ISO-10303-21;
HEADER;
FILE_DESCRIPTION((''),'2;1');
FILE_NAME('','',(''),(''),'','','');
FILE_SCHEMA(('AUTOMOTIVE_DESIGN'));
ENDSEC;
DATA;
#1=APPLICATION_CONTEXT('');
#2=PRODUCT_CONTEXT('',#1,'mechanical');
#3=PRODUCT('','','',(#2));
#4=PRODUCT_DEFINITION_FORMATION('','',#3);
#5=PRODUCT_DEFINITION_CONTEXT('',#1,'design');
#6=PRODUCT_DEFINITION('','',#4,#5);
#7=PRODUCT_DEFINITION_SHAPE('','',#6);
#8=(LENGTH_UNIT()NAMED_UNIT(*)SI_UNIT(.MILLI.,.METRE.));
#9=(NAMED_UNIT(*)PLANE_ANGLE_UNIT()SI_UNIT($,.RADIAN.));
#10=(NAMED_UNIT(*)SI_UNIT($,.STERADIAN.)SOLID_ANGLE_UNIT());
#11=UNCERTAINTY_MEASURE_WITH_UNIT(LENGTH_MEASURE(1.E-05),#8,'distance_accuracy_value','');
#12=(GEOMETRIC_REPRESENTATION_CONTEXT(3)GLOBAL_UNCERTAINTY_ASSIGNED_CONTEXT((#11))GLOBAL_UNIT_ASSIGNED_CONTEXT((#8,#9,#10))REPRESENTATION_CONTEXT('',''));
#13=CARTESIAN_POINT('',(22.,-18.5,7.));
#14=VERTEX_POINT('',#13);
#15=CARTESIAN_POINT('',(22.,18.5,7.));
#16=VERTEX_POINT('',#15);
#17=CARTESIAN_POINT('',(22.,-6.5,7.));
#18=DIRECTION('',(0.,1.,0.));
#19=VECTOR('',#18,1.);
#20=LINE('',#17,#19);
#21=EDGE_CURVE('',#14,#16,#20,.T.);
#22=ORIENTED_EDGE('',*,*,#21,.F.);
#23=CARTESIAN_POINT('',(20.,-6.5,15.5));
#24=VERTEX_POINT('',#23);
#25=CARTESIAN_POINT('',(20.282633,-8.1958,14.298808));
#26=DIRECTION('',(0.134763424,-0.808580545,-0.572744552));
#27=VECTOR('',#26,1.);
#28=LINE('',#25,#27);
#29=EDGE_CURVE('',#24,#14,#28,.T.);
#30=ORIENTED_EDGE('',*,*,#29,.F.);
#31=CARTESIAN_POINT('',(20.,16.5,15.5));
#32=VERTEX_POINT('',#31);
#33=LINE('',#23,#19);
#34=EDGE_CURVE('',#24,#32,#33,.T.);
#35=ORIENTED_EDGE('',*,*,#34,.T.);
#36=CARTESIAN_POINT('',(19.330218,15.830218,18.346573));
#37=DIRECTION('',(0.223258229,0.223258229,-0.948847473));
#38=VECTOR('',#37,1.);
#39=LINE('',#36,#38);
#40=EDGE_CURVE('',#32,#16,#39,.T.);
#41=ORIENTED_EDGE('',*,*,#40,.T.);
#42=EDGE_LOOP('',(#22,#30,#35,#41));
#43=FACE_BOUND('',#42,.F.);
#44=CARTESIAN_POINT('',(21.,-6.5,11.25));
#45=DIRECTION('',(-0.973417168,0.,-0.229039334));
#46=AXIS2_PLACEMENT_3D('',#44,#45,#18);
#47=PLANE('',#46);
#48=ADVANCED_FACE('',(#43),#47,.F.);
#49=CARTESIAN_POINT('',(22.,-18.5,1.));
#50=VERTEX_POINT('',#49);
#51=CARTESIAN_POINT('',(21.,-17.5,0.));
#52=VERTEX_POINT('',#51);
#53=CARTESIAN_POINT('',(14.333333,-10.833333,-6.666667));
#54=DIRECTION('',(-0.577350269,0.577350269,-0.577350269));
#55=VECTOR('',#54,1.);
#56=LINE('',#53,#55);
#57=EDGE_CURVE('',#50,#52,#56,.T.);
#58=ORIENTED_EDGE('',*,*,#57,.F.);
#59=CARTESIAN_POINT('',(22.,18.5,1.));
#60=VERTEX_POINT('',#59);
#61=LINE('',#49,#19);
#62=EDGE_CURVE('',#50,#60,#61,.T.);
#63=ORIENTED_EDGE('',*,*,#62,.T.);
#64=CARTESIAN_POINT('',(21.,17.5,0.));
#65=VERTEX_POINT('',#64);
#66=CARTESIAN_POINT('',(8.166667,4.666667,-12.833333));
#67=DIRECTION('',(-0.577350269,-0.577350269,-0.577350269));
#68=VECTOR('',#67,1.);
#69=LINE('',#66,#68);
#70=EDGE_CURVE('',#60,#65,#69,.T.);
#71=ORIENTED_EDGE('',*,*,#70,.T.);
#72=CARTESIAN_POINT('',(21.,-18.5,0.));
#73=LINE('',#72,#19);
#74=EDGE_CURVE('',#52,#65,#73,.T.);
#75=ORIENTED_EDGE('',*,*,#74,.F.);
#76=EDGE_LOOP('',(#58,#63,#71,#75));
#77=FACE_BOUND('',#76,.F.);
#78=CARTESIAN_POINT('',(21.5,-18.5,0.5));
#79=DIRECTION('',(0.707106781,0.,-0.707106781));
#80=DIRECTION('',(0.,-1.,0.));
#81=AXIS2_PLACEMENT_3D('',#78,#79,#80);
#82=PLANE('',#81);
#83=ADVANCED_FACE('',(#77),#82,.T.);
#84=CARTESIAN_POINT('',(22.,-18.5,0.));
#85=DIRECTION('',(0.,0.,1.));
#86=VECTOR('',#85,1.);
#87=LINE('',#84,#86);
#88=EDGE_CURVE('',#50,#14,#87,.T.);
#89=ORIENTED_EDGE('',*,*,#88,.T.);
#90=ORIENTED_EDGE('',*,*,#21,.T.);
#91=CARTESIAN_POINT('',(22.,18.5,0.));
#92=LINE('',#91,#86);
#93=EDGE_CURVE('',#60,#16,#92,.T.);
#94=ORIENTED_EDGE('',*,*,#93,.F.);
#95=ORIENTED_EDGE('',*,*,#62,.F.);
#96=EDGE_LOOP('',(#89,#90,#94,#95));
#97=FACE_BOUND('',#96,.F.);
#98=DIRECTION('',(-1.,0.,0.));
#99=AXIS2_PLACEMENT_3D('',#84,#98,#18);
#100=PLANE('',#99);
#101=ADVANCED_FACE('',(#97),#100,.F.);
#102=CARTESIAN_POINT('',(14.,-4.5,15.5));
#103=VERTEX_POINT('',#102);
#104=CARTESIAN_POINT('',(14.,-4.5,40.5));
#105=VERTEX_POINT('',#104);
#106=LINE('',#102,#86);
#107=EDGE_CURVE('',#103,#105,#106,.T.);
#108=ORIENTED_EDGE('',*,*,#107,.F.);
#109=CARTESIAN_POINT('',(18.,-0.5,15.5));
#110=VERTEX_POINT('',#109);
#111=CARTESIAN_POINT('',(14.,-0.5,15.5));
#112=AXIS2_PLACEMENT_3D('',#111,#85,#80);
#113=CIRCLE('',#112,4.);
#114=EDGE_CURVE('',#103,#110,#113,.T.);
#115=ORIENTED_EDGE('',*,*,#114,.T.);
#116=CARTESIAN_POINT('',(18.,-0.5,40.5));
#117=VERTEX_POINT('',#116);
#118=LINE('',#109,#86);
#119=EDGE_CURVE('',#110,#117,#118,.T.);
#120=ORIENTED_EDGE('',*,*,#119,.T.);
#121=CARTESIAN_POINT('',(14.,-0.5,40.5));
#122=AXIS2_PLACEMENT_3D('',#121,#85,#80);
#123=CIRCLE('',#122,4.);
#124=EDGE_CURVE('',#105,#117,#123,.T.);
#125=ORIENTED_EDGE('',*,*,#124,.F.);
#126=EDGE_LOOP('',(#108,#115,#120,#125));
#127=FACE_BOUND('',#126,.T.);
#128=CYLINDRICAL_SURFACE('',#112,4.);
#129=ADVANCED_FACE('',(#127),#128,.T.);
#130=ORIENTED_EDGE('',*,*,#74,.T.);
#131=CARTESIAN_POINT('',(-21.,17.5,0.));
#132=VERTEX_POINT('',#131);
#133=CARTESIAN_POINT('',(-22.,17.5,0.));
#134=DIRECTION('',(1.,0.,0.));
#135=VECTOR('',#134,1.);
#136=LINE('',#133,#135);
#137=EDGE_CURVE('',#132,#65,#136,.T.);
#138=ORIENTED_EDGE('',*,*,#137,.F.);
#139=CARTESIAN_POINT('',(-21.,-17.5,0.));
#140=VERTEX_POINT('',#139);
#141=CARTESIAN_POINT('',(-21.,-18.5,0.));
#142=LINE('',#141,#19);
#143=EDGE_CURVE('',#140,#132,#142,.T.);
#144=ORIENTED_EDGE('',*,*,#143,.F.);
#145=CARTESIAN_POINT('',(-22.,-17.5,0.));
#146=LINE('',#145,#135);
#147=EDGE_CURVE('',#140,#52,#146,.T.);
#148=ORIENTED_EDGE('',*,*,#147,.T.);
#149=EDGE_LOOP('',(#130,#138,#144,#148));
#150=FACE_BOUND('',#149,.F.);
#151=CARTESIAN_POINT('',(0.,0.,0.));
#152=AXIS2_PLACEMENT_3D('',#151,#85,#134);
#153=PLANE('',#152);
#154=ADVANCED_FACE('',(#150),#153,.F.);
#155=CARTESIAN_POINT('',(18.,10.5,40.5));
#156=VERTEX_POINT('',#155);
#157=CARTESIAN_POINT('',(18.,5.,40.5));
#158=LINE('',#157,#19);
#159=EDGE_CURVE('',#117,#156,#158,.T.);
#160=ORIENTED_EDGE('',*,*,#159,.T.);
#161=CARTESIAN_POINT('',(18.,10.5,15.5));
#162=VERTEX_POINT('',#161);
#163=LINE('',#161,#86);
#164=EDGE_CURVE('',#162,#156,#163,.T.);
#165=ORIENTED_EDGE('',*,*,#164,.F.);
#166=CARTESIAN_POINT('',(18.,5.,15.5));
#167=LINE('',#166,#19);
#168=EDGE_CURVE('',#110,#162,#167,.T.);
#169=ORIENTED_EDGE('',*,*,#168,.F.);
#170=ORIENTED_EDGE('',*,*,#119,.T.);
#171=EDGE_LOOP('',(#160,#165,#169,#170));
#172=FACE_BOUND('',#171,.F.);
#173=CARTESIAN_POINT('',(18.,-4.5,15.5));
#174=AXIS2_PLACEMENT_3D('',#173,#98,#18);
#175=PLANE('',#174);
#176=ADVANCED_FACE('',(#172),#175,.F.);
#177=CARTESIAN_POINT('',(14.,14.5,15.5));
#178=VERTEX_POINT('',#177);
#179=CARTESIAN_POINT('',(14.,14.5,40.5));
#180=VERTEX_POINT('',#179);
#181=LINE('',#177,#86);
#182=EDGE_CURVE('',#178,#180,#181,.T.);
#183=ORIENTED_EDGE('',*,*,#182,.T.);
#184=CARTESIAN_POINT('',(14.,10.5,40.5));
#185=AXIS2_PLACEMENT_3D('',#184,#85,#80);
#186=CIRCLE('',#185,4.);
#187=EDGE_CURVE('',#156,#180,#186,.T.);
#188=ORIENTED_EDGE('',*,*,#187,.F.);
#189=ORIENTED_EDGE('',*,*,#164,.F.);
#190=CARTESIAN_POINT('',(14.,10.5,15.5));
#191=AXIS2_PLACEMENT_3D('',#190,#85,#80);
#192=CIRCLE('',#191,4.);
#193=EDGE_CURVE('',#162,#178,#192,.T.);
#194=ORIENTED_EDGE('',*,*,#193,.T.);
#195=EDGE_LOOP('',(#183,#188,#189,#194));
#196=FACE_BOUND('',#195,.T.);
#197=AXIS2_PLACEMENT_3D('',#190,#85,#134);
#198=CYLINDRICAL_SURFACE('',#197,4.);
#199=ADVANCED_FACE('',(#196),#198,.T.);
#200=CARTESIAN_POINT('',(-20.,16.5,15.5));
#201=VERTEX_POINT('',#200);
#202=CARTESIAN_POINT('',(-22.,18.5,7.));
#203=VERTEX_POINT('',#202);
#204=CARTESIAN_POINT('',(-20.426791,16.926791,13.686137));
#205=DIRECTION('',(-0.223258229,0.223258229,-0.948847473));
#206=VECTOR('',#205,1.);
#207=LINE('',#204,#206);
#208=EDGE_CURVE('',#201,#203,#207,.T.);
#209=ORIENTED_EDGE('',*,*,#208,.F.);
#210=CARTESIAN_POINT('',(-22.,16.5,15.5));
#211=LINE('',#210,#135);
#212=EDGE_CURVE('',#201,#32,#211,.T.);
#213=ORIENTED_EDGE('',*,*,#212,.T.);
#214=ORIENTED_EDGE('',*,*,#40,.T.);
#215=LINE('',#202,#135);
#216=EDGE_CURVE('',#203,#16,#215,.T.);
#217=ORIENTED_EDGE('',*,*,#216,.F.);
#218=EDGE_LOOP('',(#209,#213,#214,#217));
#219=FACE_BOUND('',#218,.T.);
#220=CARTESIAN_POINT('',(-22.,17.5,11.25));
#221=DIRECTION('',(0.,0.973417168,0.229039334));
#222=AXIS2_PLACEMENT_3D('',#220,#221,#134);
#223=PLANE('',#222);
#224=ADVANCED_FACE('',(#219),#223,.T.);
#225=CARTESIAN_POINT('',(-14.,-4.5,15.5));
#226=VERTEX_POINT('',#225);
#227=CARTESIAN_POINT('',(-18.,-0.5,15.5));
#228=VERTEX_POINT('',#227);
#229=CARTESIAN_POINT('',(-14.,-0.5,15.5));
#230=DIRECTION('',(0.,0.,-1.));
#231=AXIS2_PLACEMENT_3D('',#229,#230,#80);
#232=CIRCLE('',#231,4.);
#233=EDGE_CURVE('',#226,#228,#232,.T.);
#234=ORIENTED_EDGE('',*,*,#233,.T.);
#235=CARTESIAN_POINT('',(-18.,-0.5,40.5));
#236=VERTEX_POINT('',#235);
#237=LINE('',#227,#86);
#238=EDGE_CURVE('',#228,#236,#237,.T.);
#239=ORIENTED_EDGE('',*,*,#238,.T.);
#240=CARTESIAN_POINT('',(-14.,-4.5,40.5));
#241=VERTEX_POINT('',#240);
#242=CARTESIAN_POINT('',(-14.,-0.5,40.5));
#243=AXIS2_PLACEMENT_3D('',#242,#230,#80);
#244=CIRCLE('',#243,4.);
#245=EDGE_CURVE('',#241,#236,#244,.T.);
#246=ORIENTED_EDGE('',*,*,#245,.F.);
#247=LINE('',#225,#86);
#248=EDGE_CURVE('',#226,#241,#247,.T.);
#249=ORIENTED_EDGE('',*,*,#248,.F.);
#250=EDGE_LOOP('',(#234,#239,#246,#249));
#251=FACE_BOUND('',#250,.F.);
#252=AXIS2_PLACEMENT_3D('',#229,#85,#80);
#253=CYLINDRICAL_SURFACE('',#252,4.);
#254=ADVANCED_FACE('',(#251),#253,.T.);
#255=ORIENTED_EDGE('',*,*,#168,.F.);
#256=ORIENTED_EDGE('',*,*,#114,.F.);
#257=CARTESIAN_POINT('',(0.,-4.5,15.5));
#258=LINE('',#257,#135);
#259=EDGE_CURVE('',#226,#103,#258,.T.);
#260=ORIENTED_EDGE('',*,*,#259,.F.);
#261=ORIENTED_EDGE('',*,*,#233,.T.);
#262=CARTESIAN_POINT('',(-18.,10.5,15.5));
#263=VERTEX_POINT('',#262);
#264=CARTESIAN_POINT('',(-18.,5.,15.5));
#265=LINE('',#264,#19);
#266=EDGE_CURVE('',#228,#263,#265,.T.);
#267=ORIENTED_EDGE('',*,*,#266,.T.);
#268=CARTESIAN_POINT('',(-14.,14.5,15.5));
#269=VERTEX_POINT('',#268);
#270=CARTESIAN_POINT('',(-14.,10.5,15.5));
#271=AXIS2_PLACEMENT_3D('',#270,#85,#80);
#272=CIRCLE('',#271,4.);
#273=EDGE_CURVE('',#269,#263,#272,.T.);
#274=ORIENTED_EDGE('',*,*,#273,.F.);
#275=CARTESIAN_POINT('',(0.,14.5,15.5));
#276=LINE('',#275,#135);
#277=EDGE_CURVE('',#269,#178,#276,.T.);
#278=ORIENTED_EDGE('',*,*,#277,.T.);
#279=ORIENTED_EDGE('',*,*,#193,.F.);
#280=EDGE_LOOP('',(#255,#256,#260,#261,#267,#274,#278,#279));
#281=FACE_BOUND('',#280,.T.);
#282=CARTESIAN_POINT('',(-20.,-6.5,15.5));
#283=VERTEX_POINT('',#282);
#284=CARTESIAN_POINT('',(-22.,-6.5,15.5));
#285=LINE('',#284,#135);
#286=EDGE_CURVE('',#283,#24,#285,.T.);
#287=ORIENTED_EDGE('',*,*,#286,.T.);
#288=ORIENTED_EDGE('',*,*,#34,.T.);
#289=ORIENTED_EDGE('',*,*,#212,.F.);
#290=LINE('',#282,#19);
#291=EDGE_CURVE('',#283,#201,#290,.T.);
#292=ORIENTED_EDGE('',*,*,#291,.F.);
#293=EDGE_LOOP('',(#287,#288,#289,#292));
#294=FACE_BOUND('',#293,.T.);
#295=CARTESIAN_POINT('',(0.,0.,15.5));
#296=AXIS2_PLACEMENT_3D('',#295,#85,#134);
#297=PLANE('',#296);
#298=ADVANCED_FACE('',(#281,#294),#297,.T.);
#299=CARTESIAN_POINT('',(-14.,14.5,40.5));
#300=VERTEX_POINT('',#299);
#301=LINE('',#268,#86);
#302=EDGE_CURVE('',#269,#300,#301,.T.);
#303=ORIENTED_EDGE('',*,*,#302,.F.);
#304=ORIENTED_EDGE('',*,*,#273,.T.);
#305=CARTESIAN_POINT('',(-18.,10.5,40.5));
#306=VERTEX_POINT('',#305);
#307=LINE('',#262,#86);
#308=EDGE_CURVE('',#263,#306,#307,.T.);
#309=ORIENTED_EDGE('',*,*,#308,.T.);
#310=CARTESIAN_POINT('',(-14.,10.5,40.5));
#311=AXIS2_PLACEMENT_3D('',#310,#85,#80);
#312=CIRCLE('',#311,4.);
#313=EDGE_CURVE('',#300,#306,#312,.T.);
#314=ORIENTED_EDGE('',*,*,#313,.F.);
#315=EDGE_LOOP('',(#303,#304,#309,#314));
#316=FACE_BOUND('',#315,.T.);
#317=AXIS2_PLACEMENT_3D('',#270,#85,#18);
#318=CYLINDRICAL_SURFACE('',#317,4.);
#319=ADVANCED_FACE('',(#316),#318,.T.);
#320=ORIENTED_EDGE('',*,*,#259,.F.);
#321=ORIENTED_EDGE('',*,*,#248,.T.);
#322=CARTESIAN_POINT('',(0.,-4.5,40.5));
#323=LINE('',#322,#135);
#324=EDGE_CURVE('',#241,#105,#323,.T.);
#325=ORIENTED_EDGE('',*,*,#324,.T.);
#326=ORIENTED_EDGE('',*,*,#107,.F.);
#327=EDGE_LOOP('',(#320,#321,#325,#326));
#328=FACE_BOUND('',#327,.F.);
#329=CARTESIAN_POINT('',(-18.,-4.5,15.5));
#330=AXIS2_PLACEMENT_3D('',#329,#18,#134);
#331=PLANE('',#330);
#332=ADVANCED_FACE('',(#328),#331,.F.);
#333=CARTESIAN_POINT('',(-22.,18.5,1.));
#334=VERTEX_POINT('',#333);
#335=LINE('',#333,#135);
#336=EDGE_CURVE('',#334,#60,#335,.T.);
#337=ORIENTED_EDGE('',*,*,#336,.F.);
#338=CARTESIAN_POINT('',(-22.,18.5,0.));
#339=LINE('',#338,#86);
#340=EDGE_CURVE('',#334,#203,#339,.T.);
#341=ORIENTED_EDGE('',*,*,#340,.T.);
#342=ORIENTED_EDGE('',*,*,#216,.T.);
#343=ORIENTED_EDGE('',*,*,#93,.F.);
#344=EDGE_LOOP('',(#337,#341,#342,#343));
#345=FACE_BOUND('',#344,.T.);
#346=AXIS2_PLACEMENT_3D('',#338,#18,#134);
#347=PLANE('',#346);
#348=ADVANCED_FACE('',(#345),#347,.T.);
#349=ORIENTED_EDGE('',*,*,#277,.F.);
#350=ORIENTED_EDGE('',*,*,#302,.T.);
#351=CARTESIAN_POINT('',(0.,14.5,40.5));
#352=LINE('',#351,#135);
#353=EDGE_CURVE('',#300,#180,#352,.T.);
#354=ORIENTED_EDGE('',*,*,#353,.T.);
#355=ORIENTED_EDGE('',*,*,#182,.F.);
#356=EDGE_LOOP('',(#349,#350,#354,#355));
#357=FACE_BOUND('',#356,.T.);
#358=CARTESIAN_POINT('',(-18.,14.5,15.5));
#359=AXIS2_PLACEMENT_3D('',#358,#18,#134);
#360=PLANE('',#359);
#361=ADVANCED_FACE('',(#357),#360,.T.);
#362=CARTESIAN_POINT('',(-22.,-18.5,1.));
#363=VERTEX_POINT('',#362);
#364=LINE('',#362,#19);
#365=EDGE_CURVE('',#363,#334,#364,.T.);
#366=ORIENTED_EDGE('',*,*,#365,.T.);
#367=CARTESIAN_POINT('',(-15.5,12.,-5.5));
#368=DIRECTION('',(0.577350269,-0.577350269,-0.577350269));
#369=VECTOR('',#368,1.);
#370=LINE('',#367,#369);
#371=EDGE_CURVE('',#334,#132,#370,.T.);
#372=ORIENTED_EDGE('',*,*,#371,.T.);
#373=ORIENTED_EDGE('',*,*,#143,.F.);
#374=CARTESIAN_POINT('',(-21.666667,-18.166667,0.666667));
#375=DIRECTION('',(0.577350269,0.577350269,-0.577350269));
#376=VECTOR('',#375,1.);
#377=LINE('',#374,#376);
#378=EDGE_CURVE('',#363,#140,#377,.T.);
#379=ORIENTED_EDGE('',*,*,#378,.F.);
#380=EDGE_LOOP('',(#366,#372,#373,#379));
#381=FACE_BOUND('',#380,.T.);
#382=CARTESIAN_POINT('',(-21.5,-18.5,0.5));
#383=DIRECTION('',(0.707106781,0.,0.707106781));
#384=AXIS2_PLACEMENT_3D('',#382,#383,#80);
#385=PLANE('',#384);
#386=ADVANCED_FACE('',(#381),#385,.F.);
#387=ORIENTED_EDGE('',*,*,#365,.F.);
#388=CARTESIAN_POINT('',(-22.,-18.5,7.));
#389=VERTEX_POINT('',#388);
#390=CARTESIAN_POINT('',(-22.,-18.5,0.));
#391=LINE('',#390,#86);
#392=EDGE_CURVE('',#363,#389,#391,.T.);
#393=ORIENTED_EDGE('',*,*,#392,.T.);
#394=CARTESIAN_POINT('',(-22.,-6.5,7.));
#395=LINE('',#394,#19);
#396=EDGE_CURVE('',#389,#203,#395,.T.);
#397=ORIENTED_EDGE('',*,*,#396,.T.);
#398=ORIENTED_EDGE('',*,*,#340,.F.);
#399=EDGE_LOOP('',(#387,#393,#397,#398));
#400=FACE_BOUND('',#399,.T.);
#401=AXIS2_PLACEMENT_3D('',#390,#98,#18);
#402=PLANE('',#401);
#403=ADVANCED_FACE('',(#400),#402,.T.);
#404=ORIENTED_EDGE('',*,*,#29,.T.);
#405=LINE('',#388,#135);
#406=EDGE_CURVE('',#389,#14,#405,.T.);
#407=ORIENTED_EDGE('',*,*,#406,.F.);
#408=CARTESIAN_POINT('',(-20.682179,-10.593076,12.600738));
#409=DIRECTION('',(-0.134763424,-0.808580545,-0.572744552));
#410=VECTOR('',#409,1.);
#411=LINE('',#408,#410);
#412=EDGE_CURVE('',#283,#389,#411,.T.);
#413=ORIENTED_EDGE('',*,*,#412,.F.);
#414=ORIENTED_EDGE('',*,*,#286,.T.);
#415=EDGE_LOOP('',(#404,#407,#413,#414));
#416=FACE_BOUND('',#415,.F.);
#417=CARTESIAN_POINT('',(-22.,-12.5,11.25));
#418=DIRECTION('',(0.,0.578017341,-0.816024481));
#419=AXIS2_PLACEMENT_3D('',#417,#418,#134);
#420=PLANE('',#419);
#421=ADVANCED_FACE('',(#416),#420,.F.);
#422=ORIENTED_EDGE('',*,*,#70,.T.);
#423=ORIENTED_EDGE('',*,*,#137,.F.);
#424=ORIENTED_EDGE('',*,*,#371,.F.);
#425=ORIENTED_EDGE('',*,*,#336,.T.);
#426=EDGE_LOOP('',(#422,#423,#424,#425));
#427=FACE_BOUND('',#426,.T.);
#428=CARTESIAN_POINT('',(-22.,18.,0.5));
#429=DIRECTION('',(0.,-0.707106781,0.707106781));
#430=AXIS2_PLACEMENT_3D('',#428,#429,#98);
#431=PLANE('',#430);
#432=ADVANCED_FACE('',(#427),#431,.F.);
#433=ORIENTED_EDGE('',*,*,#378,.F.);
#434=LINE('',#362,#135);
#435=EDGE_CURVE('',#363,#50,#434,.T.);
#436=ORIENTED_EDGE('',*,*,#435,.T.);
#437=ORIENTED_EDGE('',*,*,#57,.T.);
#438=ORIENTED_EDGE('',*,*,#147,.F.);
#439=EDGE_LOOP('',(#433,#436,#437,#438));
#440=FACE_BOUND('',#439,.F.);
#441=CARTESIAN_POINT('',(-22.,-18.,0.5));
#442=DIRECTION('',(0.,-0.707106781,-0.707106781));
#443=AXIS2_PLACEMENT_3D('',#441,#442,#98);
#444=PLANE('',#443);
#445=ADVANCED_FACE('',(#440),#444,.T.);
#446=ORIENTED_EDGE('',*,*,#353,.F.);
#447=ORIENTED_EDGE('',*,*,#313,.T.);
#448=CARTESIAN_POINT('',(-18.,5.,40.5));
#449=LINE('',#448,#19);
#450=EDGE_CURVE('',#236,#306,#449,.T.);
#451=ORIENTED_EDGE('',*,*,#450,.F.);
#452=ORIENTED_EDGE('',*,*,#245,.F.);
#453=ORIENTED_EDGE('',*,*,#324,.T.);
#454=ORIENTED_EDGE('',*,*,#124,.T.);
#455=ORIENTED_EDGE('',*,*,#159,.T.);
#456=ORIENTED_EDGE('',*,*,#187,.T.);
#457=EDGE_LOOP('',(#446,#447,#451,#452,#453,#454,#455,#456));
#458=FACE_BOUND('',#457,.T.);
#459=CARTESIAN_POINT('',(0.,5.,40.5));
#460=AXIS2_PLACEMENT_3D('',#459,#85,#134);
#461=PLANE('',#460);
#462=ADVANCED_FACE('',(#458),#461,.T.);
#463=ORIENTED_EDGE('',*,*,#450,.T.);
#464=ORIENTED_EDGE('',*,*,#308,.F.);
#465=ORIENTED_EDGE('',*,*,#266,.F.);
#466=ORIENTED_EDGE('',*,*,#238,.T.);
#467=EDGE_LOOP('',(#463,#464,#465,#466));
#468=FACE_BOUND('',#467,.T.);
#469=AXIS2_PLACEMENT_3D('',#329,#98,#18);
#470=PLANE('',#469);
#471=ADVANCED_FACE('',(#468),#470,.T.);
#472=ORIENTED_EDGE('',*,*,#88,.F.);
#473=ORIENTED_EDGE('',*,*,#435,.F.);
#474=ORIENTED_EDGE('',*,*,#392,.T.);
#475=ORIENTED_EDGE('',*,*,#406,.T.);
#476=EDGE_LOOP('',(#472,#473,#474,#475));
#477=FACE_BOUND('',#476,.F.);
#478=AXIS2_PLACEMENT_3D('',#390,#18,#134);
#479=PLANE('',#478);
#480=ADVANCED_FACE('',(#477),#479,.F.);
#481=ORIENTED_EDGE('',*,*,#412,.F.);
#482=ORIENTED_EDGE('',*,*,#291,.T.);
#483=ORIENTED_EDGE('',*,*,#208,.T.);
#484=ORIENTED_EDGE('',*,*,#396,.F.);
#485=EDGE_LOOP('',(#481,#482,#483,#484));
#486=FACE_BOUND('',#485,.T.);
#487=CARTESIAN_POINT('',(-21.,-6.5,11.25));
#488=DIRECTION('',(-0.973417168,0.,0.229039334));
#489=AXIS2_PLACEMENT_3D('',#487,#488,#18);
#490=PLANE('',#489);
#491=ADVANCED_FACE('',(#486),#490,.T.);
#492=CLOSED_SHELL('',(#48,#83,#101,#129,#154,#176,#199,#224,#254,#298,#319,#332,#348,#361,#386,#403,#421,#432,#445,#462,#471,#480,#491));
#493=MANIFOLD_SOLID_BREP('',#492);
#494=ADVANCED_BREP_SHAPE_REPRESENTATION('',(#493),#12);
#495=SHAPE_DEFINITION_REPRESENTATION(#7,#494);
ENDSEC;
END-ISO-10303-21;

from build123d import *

# Parameters (mm, degrees)
F0_W     = 44
F0_H     = 37
F1_DEPTH = 15.5
F2_SIZE2 = 8.5
F2_SIZE  = 12
F3_SIZE2 = 8.5
F3_SIZE  = 2
F4_W     = 36
F4_H     = 19
F5_DEPTH = 25
F6_R     = 4
F7_SIZE  = 1


with BuildPart() as f1:
    # F0 (on Top) → F1 (new body)
    with BuildSketch(Plane.XY):
        Rectangle(F0_W, F0_H)
    extrude(amount=F1_DEPTH)

    # F2
    f2_edges = [f1.edges().sort_by_distance(p)[0] for p in [
        (0, -18.5, 15.5),
    ]]
    f2_side = f1.faces().sort_by_distance((0, 0, 15.5))[0]
    chamfer(f2_edges, length=F2_SIZE, length2=F2_SIZE2, reference=f2_side)

    # F3
    f3_edges = [f1.edges().sort_by_distance(p)[0] for p in [
        (-22, 6, 15.5),
        (22, 6, 15.5),
        (0, 18.5, 15.5),
    ]]
    f3_side = f1.faces().sort_by_distance((0, 6, 15.5))[0]
    chamfer(f3_edges, length=F3_SIZE, length2=F3_SIZE2, reference=f3_side)

    # F4 (on face) → F5 (join)
    with BuildSketch(Plane.XY.offset(15.5)):
        with Locations((0, 5)):
            Rectangle(F4_W, F4_H)
    extrude(amount=F5_DEPTH)

    # F6
    f6_edges = [f1.edges().sort_by_distance(p)[0] for p in [
        (-18, -4.5, 28),
        (-18, 14.5, 28),
        (18, -4.5, 28),
        (18, 14.5, 28),
    ]]
    fillet(f6_edges, radius=F6_R)

    # F7
    f7_edges = [f1.edges().sort_by_distance(p)[0] for p in [
        (-22, 0, 0),
        (0, 18.5, 0),
        (22, 0, 0),
        (0, -18.5, 0),
    ]]
    chamfer(f7_edges, length=F7_SIZE)


solid = f1.part
